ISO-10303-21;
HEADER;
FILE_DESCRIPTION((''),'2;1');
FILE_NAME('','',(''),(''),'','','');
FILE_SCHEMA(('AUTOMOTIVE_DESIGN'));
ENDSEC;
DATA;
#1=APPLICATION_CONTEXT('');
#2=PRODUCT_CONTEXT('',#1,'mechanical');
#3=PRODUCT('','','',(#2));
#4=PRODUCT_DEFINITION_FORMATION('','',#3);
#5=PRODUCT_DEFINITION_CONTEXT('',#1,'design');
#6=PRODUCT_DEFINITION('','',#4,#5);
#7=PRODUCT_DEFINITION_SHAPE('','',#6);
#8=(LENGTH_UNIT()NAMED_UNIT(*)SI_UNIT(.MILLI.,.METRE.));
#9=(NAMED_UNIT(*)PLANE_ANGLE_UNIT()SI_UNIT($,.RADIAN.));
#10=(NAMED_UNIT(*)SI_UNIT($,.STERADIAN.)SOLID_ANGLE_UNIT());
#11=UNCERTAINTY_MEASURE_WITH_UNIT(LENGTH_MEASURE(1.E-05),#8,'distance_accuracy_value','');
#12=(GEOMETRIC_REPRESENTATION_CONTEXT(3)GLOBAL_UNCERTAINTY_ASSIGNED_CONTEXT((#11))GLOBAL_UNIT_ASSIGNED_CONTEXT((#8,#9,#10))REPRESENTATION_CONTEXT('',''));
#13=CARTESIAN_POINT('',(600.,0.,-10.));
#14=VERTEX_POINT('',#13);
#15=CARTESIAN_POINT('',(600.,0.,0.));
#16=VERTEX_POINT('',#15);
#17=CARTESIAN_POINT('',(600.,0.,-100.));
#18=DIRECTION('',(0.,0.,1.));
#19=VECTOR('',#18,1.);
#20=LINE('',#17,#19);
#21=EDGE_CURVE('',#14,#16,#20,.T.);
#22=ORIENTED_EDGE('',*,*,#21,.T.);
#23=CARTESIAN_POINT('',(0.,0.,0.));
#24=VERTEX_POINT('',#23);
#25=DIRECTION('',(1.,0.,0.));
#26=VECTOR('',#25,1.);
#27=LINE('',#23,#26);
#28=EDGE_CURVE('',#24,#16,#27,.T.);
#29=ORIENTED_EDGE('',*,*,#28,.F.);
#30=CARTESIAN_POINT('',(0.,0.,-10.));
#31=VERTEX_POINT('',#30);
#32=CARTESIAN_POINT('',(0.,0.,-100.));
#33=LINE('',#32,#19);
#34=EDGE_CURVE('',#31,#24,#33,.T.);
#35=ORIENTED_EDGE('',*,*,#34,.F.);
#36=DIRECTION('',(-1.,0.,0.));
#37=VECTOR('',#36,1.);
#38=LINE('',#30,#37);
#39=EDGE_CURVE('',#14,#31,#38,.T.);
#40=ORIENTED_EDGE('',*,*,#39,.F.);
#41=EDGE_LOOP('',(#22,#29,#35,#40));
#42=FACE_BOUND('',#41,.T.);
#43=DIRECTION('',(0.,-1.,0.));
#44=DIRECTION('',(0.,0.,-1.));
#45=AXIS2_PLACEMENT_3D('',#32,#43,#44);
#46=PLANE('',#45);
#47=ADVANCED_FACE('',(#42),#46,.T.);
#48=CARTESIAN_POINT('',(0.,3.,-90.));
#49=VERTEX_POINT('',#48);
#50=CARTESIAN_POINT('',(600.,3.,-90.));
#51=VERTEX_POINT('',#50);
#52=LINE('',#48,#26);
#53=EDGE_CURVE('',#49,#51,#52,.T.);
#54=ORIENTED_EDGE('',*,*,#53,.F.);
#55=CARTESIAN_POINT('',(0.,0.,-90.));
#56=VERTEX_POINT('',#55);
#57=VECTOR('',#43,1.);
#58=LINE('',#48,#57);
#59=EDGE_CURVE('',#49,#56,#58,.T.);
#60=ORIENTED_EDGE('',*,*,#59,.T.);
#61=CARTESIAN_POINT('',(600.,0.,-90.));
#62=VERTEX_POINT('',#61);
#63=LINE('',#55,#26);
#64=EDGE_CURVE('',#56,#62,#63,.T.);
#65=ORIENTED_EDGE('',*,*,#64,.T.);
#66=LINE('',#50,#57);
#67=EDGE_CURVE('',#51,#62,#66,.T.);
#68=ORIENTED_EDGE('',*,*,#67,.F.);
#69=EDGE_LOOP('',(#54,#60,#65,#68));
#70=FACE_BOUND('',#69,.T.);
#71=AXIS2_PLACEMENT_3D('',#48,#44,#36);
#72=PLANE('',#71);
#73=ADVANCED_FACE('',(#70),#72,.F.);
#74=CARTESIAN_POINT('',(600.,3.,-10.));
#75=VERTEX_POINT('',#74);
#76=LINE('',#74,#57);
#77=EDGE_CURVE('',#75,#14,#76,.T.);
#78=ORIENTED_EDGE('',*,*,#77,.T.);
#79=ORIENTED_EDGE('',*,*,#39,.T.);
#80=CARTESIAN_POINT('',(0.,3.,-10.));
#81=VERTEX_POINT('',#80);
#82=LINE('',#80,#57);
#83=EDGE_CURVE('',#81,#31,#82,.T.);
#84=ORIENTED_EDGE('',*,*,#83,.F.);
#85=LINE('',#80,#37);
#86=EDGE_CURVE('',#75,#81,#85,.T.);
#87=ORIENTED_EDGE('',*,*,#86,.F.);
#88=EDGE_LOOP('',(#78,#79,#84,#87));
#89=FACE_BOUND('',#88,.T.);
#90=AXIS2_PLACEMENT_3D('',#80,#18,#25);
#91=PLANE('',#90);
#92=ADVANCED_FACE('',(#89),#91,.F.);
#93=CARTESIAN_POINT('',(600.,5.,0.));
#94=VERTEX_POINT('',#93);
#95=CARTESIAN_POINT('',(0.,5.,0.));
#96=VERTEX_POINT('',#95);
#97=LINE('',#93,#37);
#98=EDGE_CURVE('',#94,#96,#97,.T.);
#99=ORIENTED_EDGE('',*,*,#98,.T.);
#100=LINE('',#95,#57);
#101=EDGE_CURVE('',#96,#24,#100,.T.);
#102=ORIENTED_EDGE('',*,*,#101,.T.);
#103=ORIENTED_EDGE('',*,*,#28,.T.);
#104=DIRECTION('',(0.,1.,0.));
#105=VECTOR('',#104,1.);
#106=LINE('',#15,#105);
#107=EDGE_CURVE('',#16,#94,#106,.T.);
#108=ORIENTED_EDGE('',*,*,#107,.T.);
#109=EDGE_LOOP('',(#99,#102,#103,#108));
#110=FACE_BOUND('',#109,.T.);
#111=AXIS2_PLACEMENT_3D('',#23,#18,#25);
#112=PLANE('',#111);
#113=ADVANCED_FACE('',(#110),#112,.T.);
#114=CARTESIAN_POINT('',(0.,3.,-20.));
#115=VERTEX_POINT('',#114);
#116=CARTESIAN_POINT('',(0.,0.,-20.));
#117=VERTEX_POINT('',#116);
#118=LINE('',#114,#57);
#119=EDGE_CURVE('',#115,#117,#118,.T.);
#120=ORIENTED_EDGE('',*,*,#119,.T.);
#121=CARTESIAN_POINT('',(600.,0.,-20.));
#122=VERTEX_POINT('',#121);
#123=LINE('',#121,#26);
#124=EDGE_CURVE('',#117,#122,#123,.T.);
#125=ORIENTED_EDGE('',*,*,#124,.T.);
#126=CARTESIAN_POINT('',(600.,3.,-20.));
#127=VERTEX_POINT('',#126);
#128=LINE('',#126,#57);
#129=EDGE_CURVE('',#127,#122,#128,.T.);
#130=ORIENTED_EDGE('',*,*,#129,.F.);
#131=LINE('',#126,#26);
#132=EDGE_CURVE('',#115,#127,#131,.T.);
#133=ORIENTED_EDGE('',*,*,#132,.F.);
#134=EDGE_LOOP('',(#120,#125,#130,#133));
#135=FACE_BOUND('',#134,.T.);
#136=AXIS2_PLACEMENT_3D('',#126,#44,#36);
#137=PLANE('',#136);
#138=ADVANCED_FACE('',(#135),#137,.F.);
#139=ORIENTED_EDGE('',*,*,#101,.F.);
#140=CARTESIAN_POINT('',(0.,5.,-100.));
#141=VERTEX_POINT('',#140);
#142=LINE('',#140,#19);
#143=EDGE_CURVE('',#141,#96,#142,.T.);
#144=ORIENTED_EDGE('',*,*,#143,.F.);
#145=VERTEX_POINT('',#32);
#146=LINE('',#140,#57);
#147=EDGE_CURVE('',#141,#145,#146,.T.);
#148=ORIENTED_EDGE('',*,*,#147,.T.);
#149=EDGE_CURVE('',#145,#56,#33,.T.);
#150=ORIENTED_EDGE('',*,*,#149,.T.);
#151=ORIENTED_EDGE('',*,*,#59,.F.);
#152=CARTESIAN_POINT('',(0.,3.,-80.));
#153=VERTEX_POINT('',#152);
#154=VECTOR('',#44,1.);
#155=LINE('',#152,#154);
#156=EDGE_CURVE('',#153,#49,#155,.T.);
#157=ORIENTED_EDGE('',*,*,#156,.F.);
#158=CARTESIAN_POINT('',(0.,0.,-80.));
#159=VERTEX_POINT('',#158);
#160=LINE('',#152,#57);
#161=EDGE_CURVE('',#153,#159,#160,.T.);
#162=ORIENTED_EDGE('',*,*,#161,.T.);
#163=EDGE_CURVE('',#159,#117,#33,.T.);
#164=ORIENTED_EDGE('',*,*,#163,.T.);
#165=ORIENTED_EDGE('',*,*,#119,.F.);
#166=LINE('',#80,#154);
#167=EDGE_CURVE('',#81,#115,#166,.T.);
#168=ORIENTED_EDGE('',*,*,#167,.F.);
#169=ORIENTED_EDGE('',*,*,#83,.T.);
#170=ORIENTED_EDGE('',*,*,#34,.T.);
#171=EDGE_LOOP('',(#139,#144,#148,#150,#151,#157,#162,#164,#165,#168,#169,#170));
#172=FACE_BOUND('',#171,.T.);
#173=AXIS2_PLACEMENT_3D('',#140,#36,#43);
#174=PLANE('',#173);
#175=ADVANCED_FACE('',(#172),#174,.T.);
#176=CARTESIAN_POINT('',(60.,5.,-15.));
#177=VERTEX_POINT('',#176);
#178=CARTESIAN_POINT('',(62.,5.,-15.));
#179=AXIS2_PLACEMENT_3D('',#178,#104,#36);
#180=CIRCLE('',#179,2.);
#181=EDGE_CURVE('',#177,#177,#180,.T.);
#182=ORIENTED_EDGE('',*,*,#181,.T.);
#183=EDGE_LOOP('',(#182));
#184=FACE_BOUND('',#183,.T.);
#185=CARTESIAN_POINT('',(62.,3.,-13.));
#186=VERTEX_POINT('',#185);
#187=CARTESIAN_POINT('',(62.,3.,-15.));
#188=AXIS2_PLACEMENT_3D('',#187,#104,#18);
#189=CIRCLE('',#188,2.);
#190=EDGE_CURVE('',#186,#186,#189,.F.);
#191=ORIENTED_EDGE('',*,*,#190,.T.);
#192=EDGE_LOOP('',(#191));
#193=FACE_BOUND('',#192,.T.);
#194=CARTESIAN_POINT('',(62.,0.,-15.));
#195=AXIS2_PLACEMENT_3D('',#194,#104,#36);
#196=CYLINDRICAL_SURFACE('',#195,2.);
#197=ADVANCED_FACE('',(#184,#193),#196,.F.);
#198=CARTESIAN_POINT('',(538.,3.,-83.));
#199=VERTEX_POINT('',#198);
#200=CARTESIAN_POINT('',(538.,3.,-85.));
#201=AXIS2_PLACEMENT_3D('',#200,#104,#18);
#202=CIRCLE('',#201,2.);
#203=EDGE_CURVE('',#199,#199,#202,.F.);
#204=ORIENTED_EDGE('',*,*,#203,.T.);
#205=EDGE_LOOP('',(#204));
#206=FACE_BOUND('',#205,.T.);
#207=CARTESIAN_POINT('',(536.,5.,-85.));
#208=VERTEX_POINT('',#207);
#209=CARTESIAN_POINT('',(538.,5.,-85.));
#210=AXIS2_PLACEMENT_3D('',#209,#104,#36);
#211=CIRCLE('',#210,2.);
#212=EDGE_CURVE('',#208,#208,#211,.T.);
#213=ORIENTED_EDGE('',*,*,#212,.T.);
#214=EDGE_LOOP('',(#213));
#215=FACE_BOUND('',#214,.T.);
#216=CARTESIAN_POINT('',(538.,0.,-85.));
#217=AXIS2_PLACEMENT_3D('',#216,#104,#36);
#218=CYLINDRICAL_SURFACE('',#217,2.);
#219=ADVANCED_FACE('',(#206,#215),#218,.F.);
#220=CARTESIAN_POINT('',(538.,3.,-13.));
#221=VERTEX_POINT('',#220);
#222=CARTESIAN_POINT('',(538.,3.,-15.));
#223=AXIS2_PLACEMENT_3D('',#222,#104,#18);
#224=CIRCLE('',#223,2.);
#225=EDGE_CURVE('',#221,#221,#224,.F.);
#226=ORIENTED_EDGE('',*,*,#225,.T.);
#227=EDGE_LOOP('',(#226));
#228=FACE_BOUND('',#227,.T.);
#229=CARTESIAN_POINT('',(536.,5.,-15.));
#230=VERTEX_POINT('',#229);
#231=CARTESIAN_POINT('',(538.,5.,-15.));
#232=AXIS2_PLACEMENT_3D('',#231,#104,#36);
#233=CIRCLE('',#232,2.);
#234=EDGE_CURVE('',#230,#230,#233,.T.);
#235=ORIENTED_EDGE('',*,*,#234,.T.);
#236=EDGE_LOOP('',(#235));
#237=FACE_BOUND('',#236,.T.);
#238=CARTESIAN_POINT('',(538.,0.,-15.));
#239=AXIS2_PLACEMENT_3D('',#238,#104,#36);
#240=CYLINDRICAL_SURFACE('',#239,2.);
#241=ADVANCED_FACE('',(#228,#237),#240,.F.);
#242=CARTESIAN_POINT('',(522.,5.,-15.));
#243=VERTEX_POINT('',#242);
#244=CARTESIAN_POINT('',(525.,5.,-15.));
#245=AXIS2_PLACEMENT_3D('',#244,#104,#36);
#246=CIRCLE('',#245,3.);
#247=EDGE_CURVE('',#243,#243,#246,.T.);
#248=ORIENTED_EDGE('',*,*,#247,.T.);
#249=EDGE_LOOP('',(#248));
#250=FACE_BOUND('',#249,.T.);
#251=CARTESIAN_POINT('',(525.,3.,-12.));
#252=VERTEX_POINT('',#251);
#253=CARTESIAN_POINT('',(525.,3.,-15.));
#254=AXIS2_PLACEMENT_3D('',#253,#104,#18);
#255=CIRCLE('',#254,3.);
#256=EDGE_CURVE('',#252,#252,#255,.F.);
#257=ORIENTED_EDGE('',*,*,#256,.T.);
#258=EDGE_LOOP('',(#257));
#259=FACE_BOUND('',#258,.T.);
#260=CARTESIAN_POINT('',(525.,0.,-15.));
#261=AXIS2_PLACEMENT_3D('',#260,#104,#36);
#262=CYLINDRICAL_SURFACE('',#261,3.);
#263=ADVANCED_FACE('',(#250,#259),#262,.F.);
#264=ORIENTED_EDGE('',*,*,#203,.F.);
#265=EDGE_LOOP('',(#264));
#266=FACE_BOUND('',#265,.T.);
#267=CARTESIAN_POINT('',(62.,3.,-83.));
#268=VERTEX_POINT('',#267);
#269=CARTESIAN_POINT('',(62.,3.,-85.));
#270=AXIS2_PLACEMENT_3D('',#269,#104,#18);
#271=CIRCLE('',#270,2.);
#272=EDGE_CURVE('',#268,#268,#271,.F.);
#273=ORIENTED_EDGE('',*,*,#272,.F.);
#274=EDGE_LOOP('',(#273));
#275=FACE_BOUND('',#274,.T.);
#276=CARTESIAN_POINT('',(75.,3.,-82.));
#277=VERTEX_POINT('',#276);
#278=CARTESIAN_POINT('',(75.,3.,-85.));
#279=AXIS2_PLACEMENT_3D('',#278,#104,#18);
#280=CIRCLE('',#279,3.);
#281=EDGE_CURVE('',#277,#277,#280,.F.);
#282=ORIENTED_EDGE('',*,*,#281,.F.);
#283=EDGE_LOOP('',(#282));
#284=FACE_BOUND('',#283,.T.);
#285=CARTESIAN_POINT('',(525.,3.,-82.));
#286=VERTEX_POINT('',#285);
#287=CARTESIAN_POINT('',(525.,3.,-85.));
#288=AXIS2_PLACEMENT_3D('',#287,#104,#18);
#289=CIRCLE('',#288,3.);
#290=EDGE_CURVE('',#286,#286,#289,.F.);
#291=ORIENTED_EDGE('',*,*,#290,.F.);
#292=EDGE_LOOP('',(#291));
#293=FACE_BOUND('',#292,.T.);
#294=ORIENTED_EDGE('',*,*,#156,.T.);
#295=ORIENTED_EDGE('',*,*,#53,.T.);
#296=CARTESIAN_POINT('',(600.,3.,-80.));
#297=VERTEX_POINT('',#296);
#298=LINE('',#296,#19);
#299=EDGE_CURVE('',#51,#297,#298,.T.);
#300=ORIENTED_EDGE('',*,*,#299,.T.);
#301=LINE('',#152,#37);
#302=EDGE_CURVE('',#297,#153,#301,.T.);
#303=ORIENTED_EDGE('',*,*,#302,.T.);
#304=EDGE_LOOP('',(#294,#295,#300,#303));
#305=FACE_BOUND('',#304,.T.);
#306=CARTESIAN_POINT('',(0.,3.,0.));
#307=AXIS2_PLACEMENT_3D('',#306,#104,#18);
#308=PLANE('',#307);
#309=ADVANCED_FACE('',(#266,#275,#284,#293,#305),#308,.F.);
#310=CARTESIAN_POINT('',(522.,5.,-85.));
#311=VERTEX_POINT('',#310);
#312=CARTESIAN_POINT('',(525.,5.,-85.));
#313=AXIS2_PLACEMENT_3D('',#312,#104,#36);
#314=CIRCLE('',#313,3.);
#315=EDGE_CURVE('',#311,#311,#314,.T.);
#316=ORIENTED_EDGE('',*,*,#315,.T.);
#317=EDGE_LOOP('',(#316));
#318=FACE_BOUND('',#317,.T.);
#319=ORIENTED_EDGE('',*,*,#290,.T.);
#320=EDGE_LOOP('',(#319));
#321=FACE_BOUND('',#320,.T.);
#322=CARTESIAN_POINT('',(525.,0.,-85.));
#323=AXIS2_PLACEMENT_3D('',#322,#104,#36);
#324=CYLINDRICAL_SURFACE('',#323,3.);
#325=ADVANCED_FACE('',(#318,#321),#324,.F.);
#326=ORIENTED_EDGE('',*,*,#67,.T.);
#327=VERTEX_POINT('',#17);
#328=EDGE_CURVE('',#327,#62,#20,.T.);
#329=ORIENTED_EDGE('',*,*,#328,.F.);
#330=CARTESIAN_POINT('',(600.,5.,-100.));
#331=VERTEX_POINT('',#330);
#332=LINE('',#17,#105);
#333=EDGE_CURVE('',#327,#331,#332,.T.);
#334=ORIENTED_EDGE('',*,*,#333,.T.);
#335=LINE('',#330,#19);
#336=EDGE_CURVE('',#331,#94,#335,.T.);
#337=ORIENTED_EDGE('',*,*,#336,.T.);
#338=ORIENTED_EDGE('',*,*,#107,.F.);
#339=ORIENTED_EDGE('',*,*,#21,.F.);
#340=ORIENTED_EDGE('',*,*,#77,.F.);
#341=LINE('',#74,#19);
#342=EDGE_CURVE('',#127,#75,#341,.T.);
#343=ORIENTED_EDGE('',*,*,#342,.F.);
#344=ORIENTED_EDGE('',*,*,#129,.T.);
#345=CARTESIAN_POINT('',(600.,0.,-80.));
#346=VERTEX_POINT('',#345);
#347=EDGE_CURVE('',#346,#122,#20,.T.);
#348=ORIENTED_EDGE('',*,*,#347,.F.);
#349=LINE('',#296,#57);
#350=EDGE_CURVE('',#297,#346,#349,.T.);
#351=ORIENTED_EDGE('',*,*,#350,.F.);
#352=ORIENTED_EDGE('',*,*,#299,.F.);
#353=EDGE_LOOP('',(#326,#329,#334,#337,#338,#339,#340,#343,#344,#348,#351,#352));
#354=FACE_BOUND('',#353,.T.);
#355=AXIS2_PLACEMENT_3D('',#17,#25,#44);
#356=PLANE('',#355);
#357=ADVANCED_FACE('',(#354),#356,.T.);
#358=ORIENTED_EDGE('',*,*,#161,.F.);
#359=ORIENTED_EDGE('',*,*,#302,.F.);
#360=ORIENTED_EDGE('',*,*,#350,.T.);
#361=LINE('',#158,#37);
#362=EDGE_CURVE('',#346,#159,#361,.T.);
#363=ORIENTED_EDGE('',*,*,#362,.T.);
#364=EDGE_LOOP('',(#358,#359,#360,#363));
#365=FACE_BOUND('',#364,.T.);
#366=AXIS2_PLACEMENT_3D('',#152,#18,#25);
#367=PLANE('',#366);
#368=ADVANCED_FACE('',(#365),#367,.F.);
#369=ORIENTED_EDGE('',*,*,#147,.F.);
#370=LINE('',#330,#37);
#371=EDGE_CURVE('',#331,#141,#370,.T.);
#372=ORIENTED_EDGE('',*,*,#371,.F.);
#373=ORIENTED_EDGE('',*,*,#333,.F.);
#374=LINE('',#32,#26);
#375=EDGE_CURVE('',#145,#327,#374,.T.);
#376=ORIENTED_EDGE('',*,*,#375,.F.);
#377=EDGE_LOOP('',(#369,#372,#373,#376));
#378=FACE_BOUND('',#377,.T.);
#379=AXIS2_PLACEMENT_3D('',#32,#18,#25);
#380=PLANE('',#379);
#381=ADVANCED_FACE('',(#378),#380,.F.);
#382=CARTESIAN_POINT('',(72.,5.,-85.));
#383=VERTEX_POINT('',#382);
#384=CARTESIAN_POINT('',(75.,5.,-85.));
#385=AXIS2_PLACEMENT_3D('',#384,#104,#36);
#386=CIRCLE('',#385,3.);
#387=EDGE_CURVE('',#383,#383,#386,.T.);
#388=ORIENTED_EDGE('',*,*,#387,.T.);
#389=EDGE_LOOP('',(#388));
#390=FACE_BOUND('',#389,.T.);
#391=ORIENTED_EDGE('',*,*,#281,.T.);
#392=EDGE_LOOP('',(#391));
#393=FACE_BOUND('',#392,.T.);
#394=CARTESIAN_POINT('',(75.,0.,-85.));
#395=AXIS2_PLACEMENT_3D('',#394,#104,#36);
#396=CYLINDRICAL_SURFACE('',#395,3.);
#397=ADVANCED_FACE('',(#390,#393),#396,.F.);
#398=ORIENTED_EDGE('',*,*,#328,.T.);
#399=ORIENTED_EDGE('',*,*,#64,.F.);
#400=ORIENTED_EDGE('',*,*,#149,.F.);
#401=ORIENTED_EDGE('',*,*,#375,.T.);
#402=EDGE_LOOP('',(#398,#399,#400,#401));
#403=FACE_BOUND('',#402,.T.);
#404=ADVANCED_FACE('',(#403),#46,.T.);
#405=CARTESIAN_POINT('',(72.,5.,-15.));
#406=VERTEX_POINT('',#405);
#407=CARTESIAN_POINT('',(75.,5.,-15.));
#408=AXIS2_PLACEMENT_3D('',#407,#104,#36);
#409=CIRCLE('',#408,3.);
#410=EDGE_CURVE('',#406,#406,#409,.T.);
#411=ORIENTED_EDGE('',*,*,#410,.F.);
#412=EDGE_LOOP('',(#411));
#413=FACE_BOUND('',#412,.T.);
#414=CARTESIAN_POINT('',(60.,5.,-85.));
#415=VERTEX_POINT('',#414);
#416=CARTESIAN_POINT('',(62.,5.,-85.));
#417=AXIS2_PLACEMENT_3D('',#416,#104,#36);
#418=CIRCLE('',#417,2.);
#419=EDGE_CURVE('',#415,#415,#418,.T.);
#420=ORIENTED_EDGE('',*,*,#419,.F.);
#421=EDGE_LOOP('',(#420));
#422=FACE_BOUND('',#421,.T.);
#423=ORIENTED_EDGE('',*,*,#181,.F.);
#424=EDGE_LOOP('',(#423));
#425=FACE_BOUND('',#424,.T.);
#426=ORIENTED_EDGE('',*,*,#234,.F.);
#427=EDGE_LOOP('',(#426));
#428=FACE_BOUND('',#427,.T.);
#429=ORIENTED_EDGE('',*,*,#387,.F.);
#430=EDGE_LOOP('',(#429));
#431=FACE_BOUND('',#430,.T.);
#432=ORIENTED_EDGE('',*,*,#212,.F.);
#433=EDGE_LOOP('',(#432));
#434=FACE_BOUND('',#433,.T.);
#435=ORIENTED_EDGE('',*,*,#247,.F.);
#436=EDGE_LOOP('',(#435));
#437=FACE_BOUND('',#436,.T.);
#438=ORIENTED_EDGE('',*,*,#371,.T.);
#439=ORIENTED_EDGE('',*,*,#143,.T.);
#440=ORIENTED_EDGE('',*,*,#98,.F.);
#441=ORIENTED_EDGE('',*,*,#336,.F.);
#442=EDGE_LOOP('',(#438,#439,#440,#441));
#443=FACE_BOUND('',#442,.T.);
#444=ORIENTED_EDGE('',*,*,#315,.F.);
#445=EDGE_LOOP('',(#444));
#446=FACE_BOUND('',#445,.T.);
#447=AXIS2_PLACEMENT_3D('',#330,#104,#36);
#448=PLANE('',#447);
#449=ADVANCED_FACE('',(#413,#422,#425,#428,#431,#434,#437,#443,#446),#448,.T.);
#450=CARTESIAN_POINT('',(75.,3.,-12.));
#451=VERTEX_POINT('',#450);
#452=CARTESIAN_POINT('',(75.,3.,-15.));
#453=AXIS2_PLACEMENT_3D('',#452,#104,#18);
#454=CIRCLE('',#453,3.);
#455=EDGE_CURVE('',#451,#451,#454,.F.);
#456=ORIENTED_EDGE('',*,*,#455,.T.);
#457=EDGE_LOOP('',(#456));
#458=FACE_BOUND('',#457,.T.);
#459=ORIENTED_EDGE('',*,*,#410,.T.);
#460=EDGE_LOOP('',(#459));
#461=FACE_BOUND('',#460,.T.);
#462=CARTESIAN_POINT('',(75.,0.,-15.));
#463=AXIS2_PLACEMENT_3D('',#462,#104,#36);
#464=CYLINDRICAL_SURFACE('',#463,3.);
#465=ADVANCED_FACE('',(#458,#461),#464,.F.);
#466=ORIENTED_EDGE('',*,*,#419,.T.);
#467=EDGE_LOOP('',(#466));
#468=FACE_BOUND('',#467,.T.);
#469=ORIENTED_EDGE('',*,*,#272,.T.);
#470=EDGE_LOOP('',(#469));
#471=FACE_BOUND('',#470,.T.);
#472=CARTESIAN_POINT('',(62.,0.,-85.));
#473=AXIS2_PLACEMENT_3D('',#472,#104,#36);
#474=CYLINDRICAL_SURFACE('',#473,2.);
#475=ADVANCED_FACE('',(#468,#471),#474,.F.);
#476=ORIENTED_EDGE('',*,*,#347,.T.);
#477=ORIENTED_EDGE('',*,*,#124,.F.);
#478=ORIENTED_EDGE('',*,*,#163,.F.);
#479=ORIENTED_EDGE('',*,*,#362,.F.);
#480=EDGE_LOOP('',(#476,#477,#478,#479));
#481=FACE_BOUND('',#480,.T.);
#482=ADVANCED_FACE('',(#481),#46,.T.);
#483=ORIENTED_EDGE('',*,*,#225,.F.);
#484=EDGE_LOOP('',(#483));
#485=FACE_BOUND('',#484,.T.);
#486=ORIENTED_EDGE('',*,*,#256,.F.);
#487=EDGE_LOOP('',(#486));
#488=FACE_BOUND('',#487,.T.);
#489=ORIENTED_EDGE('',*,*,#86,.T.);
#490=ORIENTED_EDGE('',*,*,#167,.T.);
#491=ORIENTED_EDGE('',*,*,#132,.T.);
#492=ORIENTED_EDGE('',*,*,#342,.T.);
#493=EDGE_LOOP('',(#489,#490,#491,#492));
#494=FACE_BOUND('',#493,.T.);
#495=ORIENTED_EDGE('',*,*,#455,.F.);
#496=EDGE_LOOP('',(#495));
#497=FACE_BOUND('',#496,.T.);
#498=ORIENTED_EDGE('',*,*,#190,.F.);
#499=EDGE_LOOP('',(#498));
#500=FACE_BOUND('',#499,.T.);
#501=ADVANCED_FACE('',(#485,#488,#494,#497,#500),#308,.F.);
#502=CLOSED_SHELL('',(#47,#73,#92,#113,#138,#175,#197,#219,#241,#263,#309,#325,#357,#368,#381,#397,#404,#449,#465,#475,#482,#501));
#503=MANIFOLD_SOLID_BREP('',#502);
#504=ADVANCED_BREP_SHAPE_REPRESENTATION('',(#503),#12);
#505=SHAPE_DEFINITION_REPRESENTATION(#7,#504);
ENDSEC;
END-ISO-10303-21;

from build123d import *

# Parameters (mm, degrees)
SKETCH1_W           = 600
SKETCH1_H           = 5
BOSS_EXTRUDE1_DEPTH = 100
SKETCH6_R           = 2
CUT_EXTRUDE2_DEPTH  = 6
SKETCH7_R           = 3
CUT_EXTRUDE3_DEPTH  = 6
SKETCH8_W           = 600
SKETCH8_H           = 10
CUT_EXTRUDE5_DEPTH  = 3


with BuildPart() as part:
    # Sketch1 → Boss-Extrude1 (new body)
    with BuildSketch(Plane.XY):
        with Locations((300, 2.5)):
            Rectangle(SKETCH1_W, SKETCH1_H)
    extrude(amount=-BOSS_EXTRUDE1_DEPTH)

    # Sketch6 → Cut-Extrude2 (cut, through all)
    with BuildSketch(Plane(origin=(0, 5, 0), x_dir=(1, 0, 0), z_dir=(0, 1, 0))):
        with Locations((62, 85)):
            Circle(SKETCH6_R)
        with Locations((62, 15)):
            Circle(SKETCH6_R)
        with Locations((538, 85)):
            Circle(SKETCH6_R)
        with Locations((538, 15)):
            Circle(SKETCH6_R)
    extrude(amount=-CUT_EXTRUDE2_DEPTH, mode=Mode.SUBTRACT)

    # Sketch7 → Cut-Extrude3 (cut, through all)
    with BuildSketch(Plane(origin=(0, 5, 0), x_dir=(1, 0, 0), z_dir=(0, 1, 0))):
        with Locations((75, 85)):
            Circle(SKETCH7_R)
        with Locations((75, 15)):
            Circle(SKETCH7_R)
        with Locations((525, 85)):
            Circle(SKETCH7_R)
        with Locations((525, 15)):
            Circle(SKETCH7_R)
    extrude(amount=-CUT_EXTRUDE3_DEPTH, mode=Mode.SUBTRACT)

    # Sketch8 → Cut-Extrude5 (cut)
    with BuildSketch(Plane.XZ):
        with Locations((300, -15)):
            Rectangle(SKETCH8_W, SKETCH8_H)
        with Locations((300, -85)):
            Rectangle(SKETCH8_W, SKETCH8_H)
    extrude(amount=-CUT_EXTRUDE5_DEPTH, mode=Mode.SUBTRACT)


solid = part.part
